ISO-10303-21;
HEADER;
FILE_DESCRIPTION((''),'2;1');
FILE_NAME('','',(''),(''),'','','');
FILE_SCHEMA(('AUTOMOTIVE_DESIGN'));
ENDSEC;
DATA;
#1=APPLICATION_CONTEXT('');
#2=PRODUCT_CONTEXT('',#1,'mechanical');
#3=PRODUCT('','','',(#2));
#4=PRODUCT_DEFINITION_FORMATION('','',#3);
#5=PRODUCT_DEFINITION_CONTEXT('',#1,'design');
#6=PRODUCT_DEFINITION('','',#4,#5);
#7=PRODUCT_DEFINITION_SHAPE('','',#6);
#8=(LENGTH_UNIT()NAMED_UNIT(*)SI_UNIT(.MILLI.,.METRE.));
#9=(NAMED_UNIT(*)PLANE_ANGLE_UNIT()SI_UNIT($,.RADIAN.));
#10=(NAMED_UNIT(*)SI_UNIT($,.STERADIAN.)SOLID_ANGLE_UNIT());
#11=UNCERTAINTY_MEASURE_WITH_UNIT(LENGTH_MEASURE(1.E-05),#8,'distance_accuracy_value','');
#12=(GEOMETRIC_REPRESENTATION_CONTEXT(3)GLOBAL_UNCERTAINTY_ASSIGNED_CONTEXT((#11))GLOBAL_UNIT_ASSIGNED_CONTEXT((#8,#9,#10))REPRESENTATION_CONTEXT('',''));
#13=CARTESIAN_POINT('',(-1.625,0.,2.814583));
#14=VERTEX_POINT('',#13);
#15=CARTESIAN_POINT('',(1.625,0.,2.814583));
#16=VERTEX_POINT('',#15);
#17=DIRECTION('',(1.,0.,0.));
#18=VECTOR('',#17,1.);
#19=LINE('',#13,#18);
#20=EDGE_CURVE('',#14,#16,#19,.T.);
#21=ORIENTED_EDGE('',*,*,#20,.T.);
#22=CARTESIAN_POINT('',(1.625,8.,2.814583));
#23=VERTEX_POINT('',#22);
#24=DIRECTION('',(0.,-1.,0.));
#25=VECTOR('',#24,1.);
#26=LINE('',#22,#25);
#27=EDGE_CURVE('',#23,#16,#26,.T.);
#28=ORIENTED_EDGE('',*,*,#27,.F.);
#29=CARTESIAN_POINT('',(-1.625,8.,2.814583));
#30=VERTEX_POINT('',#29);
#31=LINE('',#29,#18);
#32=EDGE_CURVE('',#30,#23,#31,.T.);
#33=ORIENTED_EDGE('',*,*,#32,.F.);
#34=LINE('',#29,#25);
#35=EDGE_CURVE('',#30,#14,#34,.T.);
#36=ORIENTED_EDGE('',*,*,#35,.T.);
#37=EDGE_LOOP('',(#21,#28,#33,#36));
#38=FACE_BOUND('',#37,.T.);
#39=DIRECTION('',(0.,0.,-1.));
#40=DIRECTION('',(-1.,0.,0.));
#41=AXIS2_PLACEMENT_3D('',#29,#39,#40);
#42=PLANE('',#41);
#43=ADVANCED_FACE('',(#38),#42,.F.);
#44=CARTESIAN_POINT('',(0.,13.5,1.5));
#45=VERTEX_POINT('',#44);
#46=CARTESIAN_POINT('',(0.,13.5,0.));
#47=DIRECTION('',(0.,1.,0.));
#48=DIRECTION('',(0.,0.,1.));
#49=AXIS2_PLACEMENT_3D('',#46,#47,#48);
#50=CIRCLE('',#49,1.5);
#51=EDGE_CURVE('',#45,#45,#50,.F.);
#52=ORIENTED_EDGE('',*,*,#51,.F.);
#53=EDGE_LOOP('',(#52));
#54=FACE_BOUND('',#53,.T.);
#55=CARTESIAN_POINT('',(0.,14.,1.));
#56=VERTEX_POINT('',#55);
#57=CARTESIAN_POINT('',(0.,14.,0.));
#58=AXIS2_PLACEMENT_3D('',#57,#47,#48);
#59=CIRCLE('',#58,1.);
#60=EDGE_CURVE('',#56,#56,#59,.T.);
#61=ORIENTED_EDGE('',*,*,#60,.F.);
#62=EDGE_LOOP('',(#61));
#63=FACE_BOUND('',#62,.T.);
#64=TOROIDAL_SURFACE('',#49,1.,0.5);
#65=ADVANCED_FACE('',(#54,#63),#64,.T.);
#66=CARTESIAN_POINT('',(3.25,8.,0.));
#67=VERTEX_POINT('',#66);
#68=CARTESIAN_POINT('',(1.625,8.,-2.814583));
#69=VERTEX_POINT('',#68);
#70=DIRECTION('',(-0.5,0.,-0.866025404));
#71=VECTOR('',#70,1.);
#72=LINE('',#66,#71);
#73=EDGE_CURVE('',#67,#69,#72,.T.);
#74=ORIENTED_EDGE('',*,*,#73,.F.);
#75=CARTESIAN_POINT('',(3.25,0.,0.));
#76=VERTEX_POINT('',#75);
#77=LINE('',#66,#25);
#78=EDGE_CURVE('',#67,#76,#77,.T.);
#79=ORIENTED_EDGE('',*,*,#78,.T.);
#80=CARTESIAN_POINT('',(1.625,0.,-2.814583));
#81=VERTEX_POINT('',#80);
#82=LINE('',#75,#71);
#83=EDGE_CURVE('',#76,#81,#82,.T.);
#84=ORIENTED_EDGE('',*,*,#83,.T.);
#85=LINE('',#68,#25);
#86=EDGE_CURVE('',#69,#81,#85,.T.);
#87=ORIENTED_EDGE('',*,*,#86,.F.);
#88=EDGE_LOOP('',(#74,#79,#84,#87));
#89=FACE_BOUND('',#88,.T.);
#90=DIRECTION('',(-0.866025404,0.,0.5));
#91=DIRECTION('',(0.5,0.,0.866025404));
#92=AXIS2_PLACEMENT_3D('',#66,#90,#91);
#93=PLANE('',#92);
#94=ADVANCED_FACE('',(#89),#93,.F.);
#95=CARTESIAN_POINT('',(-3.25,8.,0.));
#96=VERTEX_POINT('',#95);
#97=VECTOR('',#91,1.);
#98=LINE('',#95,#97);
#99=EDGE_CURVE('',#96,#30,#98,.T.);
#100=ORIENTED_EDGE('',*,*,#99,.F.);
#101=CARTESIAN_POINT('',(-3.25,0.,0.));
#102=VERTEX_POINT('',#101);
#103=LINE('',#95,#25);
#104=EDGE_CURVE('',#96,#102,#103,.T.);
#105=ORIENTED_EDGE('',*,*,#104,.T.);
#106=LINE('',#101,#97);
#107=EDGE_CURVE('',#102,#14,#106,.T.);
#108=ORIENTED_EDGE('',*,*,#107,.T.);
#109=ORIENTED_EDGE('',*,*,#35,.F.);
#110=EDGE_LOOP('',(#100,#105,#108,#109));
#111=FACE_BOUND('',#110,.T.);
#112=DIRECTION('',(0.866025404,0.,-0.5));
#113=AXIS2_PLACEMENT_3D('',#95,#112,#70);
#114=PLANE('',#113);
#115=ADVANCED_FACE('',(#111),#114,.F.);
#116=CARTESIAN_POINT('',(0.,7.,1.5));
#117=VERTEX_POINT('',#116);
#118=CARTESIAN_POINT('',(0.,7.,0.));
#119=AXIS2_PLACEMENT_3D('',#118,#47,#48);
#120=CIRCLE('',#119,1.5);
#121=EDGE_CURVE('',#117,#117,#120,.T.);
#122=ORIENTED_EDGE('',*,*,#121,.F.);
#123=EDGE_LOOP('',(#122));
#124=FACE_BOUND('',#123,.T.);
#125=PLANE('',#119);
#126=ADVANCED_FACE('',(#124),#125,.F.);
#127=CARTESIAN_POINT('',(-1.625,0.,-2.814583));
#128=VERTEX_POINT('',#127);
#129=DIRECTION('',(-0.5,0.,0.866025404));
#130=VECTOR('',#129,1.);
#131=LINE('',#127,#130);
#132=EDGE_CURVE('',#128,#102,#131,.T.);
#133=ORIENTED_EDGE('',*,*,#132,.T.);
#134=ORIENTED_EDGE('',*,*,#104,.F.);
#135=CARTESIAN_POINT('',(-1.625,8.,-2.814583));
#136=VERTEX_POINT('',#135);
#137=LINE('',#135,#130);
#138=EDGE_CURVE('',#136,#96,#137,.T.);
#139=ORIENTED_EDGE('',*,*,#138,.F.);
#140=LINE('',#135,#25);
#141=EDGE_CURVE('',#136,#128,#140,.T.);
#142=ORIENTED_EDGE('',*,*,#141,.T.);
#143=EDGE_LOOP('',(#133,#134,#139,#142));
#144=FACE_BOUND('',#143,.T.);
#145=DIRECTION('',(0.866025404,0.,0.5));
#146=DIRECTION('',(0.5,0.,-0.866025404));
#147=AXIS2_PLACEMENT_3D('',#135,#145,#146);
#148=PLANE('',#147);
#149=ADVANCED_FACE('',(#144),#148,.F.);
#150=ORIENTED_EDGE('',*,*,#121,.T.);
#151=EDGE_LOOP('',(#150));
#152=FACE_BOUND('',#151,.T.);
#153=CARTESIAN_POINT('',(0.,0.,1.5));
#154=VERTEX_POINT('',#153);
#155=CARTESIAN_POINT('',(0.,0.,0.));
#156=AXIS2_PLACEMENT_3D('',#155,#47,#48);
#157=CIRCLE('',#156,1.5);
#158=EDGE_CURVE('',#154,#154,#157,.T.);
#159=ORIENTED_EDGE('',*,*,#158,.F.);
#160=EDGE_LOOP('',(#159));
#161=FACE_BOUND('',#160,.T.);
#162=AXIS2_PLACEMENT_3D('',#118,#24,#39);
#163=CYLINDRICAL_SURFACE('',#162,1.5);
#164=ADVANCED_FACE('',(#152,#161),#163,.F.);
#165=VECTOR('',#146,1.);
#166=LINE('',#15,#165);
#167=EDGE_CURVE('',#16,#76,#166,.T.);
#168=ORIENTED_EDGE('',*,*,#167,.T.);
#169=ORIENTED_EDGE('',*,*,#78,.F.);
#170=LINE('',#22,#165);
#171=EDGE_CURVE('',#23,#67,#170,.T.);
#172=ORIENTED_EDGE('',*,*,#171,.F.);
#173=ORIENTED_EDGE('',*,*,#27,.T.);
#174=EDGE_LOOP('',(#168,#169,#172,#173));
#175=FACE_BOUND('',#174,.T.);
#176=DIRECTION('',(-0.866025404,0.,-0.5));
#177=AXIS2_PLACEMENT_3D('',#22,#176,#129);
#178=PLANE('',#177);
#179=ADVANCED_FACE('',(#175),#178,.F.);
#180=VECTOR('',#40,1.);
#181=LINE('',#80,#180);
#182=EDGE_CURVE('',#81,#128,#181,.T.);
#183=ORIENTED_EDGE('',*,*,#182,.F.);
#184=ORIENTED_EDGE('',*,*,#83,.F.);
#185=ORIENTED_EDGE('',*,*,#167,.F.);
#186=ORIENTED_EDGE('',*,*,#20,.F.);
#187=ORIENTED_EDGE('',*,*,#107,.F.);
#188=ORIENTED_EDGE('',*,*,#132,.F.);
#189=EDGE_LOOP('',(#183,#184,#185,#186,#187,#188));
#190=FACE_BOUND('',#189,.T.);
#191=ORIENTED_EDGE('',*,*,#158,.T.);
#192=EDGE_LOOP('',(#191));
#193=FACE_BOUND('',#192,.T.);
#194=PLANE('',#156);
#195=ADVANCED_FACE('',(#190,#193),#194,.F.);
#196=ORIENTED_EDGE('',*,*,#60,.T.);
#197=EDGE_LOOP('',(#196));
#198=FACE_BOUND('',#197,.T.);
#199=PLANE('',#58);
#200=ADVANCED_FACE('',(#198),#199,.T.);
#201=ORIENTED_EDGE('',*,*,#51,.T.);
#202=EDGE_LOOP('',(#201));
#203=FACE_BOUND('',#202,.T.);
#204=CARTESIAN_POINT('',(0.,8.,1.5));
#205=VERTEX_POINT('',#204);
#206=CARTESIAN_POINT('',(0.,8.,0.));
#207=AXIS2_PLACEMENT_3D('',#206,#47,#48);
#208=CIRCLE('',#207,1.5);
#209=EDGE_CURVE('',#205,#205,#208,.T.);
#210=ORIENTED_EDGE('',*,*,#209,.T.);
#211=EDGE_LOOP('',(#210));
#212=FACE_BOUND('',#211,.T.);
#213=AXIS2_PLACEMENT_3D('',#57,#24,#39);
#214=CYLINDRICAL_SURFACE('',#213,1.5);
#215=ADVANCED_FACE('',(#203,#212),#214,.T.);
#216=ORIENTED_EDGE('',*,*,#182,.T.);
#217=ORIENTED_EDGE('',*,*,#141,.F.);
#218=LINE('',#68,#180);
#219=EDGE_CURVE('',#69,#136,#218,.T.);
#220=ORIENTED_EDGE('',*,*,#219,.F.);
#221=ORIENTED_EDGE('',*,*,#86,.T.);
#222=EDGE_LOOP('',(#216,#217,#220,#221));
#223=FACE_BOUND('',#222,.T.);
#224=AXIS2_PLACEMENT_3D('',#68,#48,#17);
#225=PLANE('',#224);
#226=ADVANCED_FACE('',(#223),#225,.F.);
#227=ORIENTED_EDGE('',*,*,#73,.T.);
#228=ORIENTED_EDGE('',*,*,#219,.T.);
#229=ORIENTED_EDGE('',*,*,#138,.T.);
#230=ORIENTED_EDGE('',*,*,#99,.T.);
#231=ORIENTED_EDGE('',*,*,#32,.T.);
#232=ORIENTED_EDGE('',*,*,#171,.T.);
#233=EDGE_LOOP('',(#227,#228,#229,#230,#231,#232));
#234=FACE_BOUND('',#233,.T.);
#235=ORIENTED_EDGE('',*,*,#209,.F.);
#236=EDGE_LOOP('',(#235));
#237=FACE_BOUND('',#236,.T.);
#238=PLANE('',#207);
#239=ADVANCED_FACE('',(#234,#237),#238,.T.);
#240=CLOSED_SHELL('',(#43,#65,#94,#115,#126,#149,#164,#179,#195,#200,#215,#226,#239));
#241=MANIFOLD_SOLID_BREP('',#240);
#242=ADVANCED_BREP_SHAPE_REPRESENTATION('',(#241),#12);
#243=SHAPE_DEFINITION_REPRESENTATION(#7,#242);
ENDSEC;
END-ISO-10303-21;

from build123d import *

# Parameters (mm, degrees)
SKETCH_1_R          = 1.5
EXTRUDE_1_DEPTH     = 14
FILLET_1_R          = 0.5
SKETCH_2_R          = 1.5
EXTRUDE_2_DEPTH     = 8
SKETCH_1_2_R        = 1.5
CUT_EXTRUDE_1_DEPTH = 7


with BuildPart() as part:
    # 草图1 → 凸台-拉伸1 (new body)
    with BuildSketch(Plane(origin=(0, 0, 0), x_dir=(1, 0, 0), z_dir=(0, 1, 0))):
        with Locations(Location((0, 0, 0), (0, 0, 270))):
            Circle(SKETCH_1_R)
    extrude(amount=EXTRUDE_1_DEPTH)

    # 圆角1
    fillet_1_edges = [part.edges().sort_by_distance(p)[0] for p in [
        (0, 14, -1.5),
    ]]
    fillet(fillet_1_edges, radius=FILLET_1_R)

    # 草图2 → 凸台-拉伸2 (add)
    with BuildSketch(Plane(origin=(0, 0, 0), x_dir=(1, 0, 0), z_dir=(0, 1, 0))):
        Polygon((-1.625, 2.814582562), (-3.25, 0), (-1.625, -2.814582562), (1.625, -2.814582562), (3.25, 0), (1.625, 2.814582562), align=None)
        with Locations(Location((0, 0, 0), (0, 0, 270))):
            Circle(SKETCH_2_R, mode=Mode.SUBTRACT)
    extrude(amount=EXTRUDE_2_DEPTH)

    # 草图1<2> → 切除-拉伸1 (cut)
    with BuildSketch(Plane(origin=(0, 0, 0), x_dir=(1, 0, 0), z_dir=(0, 1, 0))):
        with Locations(Location((0, 0, 0), (0, 0, 270))):
            Circle(SKETCH_1_2_R)
    extrude(amount=CUT_EXTRUDE_1_DEPTH, mode=Mode.SUBTRACT)


solid = part.part
